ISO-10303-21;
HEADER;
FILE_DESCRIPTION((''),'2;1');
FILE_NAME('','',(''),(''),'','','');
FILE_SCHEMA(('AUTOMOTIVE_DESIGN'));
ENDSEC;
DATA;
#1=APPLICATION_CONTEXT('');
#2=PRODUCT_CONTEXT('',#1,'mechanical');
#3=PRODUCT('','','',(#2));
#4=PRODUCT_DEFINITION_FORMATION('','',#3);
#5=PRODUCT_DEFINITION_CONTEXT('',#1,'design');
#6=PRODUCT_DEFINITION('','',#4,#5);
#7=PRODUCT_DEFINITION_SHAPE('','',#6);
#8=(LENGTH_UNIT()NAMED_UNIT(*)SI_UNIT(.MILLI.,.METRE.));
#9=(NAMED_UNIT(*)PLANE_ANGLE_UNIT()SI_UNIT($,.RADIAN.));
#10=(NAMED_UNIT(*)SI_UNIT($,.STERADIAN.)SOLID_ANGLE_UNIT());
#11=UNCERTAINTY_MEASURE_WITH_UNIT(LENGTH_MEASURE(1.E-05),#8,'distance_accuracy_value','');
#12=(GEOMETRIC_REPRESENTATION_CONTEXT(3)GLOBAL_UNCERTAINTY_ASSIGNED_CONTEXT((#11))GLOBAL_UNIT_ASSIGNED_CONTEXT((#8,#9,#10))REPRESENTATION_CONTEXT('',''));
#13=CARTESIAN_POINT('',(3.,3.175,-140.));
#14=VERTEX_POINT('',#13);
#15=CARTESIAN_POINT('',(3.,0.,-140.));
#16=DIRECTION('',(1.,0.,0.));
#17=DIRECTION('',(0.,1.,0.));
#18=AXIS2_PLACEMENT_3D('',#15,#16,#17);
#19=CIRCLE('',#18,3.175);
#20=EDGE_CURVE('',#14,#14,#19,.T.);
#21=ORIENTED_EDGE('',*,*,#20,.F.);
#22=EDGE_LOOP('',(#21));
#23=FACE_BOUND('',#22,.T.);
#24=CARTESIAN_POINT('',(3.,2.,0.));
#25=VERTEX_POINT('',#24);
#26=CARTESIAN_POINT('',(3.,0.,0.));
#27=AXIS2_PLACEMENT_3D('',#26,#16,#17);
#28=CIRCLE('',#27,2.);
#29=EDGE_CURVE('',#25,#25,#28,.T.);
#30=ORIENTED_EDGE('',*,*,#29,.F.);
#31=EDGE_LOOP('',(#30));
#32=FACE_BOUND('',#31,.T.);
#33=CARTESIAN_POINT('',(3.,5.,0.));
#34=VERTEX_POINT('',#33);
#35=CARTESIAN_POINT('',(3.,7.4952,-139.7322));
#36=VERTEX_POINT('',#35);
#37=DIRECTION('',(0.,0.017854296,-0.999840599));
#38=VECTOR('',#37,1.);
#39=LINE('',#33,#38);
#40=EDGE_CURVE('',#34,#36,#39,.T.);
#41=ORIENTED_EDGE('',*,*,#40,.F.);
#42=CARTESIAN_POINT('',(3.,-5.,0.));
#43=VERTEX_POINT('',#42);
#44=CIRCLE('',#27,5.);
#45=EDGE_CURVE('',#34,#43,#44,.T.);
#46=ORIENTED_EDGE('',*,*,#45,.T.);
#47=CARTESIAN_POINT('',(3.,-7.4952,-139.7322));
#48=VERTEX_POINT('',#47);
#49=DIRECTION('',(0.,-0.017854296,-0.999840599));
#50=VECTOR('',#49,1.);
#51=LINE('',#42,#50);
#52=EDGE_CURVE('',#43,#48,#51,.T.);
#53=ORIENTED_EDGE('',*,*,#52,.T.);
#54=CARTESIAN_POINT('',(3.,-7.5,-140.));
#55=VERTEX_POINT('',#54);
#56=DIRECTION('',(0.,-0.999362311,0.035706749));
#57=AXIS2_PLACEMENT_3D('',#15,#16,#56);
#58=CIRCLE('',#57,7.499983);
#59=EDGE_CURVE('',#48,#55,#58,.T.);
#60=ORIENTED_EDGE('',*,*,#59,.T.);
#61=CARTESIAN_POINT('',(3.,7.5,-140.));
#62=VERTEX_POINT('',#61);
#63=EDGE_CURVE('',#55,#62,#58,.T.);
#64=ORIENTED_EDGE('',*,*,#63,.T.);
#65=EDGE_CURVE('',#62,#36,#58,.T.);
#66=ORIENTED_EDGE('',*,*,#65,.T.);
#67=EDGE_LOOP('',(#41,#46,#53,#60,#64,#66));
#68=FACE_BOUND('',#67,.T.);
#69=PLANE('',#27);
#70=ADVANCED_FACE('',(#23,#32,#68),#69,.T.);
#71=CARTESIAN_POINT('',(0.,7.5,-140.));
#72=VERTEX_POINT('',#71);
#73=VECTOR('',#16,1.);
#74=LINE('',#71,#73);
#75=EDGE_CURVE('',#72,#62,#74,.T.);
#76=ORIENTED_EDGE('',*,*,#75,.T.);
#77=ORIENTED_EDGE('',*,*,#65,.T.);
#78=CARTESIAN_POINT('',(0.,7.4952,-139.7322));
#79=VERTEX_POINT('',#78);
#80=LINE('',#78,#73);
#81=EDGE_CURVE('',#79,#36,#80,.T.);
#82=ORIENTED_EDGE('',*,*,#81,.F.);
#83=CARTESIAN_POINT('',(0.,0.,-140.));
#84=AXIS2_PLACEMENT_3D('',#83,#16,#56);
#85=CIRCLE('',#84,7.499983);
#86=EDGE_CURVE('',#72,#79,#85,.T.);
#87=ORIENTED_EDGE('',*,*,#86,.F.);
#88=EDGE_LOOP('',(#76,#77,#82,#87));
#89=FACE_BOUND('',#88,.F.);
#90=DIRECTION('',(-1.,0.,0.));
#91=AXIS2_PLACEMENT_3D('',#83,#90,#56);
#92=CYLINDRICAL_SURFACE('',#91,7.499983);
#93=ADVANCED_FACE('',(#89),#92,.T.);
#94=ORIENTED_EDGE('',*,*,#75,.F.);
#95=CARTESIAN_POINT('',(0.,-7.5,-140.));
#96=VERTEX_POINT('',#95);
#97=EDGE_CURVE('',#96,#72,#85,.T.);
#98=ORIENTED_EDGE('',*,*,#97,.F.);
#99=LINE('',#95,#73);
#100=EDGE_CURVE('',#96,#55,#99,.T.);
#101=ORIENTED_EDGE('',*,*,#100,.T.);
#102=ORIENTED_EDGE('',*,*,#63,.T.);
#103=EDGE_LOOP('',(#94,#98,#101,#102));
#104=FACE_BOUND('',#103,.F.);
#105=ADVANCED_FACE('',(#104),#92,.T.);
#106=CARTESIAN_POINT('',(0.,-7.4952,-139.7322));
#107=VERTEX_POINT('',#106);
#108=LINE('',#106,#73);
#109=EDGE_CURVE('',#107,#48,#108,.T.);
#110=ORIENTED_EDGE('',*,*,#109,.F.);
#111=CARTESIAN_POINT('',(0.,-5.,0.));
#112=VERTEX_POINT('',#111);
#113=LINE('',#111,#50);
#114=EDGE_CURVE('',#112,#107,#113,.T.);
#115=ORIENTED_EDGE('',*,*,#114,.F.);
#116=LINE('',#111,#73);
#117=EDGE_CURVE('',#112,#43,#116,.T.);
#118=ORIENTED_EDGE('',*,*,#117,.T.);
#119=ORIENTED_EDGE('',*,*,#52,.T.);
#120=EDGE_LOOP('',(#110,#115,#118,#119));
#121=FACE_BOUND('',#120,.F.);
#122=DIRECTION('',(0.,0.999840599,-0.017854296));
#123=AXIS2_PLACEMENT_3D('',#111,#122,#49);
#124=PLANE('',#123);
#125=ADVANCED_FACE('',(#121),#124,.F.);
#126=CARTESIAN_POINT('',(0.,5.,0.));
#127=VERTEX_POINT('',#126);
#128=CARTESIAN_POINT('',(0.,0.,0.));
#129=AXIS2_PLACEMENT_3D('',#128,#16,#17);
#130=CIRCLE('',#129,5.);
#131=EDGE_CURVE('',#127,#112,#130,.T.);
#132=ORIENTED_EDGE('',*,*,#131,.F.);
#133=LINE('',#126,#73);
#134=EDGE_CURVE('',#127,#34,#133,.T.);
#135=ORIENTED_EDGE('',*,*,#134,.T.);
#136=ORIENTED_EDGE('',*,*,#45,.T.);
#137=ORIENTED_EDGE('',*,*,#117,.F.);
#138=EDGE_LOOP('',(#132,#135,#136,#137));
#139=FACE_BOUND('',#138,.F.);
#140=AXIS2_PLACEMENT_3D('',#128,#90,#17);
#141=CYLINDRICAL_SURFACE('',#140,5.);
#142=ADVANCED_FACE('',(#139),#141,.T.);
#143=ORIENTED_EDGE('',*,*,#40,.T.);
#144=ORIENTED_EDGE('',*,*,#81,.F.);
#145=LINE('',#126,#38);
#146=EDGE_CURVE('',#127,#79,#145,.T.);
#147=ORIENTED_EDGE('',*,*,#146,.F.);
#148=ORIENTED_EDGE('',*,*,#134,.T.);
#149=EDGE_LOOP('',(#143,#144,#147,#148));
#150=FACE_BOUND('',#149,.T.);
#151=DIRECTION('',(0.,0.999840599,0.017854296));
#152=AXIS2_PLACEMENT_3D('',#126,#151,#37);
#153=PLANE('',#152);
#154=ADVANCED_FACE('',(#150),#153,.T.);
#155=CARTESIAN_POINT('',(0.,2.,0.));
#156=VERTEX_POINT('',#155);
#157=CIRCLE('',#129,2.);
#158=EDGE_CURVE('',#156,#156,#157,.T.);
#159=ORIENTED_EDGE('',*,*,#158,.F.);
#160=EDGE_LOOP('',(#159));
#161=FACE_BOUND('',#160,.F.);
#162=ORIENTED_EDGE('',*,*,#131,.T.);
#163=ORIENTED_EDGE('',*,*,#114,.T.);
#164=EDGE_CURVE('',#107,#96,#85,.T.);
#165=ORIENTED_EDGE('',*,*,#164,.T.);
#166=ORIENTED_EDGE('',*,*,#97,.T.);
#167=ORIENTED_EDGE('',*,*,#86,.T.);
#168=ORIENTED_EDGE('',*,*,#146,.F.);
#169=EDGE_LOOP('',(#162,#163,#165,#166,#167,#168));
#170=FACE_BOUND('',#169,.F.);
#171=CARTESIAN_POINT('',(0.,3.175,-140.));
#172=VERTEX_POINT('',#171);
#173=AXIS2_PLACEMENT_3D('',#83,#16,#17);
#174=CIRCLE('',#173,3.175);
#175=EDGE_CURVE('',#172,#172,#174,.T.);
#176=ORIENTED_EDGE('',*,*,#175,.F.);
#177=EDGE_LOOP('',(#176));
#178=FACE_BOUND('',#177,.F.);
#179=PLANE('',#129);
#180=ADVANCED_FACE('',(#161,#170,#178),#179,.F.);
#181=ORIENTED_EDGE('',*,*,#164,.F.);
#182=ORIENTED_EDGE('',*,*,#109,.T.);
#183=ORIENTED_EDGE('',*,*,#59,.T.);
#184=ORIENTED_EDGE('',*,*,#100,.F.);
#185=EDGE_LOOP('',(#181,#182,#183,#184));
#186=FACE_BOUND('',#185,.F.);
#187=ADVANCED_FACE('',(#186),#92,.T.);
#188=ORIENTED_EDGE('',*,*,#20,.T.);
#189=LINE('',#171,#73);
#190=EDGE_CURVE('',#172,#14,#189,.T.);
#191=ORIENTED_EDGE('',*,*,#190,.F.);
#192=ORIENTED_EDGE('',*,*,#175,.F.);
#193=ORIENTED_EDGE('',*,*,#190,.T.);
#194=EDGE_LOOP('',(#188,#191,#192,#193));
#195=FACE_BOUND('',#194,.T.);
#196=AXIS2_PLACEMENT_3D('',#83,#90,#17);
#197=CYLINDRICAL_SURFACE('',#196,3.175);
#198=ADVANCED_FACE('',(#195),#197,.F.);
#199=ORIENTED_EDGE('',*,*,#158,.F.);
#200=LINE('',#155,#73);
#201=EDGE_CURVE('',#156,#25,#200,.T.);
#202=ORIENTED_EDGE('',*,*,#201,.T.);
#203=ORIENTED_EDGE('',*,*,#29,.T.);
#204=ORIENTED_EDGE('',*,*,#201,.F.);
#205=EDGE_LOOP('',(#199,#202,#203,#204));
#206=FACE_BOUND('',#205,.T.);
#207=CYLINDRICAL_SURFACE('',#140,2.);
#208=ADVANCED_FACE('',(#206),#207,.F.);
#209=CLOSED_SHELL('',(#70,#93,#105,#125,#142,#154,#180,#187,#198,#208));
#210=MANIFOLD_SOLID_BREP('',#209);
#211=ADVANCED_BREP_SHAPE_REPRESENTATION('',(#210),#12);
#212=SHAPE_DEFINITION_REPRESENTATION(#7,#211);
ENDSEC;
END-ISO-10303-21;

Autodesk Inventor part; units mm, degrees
ref_plane "YZ Plane" through (0, 0, 0) normal (1, 0, 0) x (0, 1, 0)
ref_plane "XZ Plane" through (0, 0, 0) normal (0, 1, 0) x (-1, 0, 0)
ref_plane "XY Plane" through (0, 0, 0) normal (0, 0, 1) x (1, 0, 0)
sketch "Boceto1" plane through (0, 0, 0) normal (1, 0, 0) x (0, 1, 0)
  circle A0 centre (0, 0) radius 2
  arc A1 (5, 0) -> (-5, 0) centre (0, 0) ccw
  circle A2 centre (0, -140) radius 3.175
  arc A3 (-7.4952, -139.7322) -> (7.4952, -139.7322) centre (0, -140) ccw
  line L0 (5, 0) -> (7.5, -140)
  line L1 (-5, 0) -> (-7.5, -140)
  dimension "d0" = 4
  dimension "d1" = 10
  dimension "d2" = 6.35
  dimension "d3" = 140
  dimension "d4" = 15
extrude "Extrusión1" add sketch "Boceto1" along normal blind 3
properties part number "Transmision_Sup"
